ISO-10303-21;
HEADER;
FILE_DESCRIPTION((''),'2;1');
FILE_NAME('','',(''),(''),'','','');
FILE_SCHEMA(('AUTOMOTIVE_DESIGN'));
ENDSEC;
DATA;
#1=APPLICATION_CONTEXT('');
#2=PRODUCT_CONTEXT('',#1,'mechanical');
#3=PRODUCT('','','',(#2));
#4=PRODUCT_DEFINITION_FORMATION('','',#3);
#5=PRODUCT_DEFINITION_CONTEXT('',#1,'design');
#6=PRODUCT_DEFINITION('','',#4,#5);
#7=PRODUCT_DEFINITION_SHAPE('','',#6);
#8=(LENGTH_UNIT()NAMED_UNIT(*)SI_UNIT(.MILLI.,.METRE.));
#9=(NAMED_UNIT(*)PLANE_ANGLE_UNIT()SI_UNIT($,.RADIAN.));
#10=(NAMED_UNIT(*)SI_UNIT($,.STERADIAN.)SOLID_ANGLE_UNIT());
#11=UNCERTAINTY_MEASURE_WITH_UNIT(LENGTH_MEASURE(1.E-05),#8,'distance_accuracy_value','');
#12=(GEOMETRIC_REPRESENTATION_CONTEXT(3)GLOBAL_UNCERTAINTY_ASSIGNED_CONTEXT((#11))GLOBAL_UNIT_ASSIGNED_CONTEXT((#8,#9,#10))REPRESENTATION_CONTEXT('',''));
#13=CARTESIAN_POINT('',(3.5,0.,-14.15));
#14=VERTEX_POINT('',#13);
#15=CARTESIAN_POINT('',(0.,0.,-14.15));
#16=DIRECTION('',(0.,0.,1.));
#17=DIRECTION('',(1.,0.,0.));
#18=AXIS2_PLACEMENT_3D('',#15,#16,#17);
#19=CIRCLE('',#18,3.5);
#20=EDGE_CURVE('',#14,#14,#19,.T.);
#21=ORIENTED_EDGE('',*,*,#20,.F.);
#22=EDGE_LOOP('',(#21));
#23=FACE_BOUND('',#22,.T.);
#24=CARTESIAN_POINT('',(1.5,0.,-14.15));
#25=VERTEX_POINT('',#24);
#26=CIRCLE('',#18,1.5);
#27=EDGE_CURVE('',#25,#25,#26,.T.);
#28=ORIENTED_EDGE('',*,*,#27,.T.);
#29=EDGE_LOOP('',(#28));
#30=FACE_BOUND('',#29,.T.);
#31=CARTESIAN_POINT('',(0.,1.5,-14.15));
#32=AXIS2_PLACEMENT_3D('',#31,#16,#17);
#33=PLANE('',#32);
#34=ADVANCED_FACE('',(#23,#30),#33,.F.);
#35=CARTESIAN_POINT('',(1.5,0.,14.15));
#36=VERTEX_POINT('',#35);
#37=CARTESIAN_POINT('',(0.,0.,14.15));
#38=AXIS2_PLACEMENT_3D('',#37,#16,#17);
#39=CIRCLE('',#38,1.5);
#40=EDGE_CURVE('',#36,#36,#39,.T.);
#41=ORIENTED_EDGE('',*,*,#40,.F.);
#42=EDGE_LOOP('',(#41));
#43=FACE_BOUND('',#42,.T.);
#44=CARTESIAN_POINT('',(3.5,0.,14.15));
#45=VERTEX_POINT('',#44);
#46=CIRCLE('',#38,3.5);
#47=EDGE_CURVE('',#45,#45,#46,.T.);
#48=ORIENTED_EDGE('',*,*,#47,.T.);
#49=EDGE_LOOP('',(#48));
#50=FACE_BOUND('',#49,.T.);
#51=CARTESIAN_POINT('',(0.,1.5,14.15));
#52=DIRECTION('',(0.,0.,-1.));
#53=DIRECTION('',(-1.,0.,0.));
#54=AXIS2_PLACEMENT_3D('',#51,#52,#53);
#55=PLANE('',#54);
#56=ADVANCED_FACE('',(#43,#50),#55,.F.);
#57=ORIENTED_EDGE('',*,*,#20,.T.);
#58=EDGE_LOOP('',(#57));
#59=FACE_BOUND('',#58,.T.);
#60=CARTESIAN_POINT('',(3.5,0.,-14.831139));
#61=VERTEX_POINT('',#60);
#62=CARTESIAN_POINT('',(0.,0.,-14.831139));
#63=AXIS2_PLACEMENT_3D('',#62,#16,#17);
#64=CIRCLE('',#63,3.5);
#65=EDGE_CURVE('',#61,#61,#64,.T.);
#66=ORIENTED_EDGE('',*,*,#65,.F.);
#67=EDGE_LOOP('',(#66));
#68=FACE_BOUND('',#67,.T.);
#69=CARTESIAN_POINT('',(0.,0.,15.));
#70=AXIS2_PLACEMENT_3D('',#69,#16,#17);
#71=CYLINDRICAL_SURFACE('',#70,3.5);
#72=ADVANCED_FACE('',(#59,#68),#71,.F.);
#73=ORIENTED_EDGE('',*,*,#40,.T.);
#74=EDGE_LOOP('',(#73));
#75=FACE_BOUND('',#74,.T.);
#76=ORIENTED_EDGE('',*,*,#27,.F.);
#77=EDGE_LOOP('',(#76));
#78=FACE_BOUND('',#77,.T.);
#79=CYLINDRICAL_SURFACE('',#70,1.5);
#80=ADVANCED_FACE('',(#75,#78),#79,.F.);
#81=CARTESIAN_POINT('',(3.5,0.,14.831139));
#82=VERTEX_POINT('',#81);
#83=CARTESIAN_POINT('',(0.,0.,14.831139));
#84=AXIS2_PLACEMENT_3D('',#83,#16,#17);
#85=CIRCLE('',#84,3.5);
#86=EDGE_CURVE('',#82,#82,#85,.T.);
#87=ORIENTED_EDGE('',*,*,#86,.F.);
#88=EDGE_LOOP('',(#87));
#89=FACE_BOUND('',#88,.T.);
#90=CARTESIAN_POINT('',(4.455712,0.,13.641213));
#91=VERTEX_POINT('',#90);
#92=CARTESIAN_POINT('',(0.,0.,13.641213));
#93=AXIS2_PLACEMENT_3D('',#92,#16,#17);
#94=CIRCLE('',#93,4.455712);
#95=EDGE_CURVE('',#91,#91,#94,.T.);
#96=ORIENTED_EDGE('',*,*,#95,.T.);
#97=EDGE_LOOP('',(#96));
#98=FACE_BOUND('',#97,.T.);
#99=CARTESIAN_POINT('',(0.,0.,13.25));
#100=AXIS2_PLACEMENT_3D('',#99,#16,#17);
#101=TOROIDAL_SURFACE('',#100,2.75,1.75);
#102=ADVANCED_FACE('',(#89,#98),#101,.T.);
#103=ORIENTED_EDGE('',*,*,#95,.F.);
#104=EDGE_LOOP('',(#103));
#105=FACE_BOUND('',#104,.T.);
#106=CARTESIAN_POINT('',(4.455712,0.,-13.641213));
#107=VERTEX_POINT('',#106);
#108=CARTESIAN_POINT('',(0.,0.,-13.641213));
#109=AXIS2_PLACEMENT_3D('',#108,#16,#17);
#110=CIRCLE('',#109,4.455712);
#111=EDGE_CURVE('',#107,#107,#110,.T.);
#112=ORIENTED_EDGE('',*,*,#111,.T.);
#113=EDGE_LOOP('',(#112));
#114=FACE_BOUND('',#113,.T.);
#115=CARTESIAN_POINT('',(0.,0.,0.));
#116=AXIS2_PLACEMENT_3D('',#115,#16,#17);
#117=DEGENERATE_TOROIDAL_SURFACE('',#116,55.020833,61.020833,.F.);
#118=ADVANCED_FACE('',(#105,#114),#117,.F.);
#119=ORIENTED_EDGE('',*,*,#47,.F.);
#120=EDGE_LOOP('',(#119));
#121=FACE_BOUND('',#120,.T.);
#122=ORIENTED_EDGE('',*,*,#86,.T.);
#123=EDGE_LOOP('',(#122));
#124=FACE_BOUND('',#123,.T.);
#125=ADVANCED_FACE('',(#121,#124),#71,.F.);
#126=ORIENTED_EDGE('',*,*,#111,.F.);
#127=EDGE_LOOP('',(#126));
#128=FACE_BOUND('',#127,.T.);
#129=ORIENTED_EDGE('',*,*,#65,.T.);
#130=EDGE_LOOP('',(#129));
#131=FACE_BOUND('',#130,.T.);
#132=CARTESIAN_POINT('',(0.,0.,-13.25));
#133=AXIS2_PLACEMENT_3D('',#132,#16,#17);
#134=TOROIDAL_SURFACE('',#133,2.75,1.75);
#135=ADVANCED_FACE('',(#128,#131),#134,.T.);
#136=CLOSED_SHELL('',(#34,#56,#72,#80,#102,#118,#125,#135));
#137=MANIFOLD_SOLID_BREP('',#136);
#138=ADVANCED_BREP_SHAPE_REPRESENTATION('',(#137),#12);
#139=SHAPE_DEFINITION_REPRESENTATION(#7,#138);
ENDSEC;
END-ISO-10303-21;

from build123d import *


with BuildPart() as part:
    # Sketch1 → Revolve1 (revolve)
    with BuildSketch(Plane(origin=(0, 0, 0), x_dir=(0, 0, -1), z_dir=(1, 0, 0)), mode=Mode.PRIVATE) as revolve1_sk:
        with BuildLine():
            Line((14.15, 1.5), (-14.15, 1.5))
            Line((-14.15, 1.5), (-14.15, 3.5))
            Line((-14.15, 3.5), (-14.83113883, 3.5))
            ThreePointArc((-14.83113883, 3.5), (-14.345850739, 4.114408721), (-13.641212654, 4.455711775))
            ThreePointArc((-13.641212654, 4.455711775), (0, 6), (13.641212654, 4.455711775))
            ThreePointArc((13.641212654, 4.455711775), (14.345850739, 4.114408721), (14.83113883, 3.5))
            Line((14.83113883, 3.5), (14.15, 3.5))
            Line((14.15, 3.5), (14.15, 1.5))
        make_face()
    revolve(revolve1_sk.sketch.rotate(Axis((0, 0, 15), (0, 0, -1)), 90), axis=Axis((0, 0, 15), (0, 0, -1)))


solid = part.part
